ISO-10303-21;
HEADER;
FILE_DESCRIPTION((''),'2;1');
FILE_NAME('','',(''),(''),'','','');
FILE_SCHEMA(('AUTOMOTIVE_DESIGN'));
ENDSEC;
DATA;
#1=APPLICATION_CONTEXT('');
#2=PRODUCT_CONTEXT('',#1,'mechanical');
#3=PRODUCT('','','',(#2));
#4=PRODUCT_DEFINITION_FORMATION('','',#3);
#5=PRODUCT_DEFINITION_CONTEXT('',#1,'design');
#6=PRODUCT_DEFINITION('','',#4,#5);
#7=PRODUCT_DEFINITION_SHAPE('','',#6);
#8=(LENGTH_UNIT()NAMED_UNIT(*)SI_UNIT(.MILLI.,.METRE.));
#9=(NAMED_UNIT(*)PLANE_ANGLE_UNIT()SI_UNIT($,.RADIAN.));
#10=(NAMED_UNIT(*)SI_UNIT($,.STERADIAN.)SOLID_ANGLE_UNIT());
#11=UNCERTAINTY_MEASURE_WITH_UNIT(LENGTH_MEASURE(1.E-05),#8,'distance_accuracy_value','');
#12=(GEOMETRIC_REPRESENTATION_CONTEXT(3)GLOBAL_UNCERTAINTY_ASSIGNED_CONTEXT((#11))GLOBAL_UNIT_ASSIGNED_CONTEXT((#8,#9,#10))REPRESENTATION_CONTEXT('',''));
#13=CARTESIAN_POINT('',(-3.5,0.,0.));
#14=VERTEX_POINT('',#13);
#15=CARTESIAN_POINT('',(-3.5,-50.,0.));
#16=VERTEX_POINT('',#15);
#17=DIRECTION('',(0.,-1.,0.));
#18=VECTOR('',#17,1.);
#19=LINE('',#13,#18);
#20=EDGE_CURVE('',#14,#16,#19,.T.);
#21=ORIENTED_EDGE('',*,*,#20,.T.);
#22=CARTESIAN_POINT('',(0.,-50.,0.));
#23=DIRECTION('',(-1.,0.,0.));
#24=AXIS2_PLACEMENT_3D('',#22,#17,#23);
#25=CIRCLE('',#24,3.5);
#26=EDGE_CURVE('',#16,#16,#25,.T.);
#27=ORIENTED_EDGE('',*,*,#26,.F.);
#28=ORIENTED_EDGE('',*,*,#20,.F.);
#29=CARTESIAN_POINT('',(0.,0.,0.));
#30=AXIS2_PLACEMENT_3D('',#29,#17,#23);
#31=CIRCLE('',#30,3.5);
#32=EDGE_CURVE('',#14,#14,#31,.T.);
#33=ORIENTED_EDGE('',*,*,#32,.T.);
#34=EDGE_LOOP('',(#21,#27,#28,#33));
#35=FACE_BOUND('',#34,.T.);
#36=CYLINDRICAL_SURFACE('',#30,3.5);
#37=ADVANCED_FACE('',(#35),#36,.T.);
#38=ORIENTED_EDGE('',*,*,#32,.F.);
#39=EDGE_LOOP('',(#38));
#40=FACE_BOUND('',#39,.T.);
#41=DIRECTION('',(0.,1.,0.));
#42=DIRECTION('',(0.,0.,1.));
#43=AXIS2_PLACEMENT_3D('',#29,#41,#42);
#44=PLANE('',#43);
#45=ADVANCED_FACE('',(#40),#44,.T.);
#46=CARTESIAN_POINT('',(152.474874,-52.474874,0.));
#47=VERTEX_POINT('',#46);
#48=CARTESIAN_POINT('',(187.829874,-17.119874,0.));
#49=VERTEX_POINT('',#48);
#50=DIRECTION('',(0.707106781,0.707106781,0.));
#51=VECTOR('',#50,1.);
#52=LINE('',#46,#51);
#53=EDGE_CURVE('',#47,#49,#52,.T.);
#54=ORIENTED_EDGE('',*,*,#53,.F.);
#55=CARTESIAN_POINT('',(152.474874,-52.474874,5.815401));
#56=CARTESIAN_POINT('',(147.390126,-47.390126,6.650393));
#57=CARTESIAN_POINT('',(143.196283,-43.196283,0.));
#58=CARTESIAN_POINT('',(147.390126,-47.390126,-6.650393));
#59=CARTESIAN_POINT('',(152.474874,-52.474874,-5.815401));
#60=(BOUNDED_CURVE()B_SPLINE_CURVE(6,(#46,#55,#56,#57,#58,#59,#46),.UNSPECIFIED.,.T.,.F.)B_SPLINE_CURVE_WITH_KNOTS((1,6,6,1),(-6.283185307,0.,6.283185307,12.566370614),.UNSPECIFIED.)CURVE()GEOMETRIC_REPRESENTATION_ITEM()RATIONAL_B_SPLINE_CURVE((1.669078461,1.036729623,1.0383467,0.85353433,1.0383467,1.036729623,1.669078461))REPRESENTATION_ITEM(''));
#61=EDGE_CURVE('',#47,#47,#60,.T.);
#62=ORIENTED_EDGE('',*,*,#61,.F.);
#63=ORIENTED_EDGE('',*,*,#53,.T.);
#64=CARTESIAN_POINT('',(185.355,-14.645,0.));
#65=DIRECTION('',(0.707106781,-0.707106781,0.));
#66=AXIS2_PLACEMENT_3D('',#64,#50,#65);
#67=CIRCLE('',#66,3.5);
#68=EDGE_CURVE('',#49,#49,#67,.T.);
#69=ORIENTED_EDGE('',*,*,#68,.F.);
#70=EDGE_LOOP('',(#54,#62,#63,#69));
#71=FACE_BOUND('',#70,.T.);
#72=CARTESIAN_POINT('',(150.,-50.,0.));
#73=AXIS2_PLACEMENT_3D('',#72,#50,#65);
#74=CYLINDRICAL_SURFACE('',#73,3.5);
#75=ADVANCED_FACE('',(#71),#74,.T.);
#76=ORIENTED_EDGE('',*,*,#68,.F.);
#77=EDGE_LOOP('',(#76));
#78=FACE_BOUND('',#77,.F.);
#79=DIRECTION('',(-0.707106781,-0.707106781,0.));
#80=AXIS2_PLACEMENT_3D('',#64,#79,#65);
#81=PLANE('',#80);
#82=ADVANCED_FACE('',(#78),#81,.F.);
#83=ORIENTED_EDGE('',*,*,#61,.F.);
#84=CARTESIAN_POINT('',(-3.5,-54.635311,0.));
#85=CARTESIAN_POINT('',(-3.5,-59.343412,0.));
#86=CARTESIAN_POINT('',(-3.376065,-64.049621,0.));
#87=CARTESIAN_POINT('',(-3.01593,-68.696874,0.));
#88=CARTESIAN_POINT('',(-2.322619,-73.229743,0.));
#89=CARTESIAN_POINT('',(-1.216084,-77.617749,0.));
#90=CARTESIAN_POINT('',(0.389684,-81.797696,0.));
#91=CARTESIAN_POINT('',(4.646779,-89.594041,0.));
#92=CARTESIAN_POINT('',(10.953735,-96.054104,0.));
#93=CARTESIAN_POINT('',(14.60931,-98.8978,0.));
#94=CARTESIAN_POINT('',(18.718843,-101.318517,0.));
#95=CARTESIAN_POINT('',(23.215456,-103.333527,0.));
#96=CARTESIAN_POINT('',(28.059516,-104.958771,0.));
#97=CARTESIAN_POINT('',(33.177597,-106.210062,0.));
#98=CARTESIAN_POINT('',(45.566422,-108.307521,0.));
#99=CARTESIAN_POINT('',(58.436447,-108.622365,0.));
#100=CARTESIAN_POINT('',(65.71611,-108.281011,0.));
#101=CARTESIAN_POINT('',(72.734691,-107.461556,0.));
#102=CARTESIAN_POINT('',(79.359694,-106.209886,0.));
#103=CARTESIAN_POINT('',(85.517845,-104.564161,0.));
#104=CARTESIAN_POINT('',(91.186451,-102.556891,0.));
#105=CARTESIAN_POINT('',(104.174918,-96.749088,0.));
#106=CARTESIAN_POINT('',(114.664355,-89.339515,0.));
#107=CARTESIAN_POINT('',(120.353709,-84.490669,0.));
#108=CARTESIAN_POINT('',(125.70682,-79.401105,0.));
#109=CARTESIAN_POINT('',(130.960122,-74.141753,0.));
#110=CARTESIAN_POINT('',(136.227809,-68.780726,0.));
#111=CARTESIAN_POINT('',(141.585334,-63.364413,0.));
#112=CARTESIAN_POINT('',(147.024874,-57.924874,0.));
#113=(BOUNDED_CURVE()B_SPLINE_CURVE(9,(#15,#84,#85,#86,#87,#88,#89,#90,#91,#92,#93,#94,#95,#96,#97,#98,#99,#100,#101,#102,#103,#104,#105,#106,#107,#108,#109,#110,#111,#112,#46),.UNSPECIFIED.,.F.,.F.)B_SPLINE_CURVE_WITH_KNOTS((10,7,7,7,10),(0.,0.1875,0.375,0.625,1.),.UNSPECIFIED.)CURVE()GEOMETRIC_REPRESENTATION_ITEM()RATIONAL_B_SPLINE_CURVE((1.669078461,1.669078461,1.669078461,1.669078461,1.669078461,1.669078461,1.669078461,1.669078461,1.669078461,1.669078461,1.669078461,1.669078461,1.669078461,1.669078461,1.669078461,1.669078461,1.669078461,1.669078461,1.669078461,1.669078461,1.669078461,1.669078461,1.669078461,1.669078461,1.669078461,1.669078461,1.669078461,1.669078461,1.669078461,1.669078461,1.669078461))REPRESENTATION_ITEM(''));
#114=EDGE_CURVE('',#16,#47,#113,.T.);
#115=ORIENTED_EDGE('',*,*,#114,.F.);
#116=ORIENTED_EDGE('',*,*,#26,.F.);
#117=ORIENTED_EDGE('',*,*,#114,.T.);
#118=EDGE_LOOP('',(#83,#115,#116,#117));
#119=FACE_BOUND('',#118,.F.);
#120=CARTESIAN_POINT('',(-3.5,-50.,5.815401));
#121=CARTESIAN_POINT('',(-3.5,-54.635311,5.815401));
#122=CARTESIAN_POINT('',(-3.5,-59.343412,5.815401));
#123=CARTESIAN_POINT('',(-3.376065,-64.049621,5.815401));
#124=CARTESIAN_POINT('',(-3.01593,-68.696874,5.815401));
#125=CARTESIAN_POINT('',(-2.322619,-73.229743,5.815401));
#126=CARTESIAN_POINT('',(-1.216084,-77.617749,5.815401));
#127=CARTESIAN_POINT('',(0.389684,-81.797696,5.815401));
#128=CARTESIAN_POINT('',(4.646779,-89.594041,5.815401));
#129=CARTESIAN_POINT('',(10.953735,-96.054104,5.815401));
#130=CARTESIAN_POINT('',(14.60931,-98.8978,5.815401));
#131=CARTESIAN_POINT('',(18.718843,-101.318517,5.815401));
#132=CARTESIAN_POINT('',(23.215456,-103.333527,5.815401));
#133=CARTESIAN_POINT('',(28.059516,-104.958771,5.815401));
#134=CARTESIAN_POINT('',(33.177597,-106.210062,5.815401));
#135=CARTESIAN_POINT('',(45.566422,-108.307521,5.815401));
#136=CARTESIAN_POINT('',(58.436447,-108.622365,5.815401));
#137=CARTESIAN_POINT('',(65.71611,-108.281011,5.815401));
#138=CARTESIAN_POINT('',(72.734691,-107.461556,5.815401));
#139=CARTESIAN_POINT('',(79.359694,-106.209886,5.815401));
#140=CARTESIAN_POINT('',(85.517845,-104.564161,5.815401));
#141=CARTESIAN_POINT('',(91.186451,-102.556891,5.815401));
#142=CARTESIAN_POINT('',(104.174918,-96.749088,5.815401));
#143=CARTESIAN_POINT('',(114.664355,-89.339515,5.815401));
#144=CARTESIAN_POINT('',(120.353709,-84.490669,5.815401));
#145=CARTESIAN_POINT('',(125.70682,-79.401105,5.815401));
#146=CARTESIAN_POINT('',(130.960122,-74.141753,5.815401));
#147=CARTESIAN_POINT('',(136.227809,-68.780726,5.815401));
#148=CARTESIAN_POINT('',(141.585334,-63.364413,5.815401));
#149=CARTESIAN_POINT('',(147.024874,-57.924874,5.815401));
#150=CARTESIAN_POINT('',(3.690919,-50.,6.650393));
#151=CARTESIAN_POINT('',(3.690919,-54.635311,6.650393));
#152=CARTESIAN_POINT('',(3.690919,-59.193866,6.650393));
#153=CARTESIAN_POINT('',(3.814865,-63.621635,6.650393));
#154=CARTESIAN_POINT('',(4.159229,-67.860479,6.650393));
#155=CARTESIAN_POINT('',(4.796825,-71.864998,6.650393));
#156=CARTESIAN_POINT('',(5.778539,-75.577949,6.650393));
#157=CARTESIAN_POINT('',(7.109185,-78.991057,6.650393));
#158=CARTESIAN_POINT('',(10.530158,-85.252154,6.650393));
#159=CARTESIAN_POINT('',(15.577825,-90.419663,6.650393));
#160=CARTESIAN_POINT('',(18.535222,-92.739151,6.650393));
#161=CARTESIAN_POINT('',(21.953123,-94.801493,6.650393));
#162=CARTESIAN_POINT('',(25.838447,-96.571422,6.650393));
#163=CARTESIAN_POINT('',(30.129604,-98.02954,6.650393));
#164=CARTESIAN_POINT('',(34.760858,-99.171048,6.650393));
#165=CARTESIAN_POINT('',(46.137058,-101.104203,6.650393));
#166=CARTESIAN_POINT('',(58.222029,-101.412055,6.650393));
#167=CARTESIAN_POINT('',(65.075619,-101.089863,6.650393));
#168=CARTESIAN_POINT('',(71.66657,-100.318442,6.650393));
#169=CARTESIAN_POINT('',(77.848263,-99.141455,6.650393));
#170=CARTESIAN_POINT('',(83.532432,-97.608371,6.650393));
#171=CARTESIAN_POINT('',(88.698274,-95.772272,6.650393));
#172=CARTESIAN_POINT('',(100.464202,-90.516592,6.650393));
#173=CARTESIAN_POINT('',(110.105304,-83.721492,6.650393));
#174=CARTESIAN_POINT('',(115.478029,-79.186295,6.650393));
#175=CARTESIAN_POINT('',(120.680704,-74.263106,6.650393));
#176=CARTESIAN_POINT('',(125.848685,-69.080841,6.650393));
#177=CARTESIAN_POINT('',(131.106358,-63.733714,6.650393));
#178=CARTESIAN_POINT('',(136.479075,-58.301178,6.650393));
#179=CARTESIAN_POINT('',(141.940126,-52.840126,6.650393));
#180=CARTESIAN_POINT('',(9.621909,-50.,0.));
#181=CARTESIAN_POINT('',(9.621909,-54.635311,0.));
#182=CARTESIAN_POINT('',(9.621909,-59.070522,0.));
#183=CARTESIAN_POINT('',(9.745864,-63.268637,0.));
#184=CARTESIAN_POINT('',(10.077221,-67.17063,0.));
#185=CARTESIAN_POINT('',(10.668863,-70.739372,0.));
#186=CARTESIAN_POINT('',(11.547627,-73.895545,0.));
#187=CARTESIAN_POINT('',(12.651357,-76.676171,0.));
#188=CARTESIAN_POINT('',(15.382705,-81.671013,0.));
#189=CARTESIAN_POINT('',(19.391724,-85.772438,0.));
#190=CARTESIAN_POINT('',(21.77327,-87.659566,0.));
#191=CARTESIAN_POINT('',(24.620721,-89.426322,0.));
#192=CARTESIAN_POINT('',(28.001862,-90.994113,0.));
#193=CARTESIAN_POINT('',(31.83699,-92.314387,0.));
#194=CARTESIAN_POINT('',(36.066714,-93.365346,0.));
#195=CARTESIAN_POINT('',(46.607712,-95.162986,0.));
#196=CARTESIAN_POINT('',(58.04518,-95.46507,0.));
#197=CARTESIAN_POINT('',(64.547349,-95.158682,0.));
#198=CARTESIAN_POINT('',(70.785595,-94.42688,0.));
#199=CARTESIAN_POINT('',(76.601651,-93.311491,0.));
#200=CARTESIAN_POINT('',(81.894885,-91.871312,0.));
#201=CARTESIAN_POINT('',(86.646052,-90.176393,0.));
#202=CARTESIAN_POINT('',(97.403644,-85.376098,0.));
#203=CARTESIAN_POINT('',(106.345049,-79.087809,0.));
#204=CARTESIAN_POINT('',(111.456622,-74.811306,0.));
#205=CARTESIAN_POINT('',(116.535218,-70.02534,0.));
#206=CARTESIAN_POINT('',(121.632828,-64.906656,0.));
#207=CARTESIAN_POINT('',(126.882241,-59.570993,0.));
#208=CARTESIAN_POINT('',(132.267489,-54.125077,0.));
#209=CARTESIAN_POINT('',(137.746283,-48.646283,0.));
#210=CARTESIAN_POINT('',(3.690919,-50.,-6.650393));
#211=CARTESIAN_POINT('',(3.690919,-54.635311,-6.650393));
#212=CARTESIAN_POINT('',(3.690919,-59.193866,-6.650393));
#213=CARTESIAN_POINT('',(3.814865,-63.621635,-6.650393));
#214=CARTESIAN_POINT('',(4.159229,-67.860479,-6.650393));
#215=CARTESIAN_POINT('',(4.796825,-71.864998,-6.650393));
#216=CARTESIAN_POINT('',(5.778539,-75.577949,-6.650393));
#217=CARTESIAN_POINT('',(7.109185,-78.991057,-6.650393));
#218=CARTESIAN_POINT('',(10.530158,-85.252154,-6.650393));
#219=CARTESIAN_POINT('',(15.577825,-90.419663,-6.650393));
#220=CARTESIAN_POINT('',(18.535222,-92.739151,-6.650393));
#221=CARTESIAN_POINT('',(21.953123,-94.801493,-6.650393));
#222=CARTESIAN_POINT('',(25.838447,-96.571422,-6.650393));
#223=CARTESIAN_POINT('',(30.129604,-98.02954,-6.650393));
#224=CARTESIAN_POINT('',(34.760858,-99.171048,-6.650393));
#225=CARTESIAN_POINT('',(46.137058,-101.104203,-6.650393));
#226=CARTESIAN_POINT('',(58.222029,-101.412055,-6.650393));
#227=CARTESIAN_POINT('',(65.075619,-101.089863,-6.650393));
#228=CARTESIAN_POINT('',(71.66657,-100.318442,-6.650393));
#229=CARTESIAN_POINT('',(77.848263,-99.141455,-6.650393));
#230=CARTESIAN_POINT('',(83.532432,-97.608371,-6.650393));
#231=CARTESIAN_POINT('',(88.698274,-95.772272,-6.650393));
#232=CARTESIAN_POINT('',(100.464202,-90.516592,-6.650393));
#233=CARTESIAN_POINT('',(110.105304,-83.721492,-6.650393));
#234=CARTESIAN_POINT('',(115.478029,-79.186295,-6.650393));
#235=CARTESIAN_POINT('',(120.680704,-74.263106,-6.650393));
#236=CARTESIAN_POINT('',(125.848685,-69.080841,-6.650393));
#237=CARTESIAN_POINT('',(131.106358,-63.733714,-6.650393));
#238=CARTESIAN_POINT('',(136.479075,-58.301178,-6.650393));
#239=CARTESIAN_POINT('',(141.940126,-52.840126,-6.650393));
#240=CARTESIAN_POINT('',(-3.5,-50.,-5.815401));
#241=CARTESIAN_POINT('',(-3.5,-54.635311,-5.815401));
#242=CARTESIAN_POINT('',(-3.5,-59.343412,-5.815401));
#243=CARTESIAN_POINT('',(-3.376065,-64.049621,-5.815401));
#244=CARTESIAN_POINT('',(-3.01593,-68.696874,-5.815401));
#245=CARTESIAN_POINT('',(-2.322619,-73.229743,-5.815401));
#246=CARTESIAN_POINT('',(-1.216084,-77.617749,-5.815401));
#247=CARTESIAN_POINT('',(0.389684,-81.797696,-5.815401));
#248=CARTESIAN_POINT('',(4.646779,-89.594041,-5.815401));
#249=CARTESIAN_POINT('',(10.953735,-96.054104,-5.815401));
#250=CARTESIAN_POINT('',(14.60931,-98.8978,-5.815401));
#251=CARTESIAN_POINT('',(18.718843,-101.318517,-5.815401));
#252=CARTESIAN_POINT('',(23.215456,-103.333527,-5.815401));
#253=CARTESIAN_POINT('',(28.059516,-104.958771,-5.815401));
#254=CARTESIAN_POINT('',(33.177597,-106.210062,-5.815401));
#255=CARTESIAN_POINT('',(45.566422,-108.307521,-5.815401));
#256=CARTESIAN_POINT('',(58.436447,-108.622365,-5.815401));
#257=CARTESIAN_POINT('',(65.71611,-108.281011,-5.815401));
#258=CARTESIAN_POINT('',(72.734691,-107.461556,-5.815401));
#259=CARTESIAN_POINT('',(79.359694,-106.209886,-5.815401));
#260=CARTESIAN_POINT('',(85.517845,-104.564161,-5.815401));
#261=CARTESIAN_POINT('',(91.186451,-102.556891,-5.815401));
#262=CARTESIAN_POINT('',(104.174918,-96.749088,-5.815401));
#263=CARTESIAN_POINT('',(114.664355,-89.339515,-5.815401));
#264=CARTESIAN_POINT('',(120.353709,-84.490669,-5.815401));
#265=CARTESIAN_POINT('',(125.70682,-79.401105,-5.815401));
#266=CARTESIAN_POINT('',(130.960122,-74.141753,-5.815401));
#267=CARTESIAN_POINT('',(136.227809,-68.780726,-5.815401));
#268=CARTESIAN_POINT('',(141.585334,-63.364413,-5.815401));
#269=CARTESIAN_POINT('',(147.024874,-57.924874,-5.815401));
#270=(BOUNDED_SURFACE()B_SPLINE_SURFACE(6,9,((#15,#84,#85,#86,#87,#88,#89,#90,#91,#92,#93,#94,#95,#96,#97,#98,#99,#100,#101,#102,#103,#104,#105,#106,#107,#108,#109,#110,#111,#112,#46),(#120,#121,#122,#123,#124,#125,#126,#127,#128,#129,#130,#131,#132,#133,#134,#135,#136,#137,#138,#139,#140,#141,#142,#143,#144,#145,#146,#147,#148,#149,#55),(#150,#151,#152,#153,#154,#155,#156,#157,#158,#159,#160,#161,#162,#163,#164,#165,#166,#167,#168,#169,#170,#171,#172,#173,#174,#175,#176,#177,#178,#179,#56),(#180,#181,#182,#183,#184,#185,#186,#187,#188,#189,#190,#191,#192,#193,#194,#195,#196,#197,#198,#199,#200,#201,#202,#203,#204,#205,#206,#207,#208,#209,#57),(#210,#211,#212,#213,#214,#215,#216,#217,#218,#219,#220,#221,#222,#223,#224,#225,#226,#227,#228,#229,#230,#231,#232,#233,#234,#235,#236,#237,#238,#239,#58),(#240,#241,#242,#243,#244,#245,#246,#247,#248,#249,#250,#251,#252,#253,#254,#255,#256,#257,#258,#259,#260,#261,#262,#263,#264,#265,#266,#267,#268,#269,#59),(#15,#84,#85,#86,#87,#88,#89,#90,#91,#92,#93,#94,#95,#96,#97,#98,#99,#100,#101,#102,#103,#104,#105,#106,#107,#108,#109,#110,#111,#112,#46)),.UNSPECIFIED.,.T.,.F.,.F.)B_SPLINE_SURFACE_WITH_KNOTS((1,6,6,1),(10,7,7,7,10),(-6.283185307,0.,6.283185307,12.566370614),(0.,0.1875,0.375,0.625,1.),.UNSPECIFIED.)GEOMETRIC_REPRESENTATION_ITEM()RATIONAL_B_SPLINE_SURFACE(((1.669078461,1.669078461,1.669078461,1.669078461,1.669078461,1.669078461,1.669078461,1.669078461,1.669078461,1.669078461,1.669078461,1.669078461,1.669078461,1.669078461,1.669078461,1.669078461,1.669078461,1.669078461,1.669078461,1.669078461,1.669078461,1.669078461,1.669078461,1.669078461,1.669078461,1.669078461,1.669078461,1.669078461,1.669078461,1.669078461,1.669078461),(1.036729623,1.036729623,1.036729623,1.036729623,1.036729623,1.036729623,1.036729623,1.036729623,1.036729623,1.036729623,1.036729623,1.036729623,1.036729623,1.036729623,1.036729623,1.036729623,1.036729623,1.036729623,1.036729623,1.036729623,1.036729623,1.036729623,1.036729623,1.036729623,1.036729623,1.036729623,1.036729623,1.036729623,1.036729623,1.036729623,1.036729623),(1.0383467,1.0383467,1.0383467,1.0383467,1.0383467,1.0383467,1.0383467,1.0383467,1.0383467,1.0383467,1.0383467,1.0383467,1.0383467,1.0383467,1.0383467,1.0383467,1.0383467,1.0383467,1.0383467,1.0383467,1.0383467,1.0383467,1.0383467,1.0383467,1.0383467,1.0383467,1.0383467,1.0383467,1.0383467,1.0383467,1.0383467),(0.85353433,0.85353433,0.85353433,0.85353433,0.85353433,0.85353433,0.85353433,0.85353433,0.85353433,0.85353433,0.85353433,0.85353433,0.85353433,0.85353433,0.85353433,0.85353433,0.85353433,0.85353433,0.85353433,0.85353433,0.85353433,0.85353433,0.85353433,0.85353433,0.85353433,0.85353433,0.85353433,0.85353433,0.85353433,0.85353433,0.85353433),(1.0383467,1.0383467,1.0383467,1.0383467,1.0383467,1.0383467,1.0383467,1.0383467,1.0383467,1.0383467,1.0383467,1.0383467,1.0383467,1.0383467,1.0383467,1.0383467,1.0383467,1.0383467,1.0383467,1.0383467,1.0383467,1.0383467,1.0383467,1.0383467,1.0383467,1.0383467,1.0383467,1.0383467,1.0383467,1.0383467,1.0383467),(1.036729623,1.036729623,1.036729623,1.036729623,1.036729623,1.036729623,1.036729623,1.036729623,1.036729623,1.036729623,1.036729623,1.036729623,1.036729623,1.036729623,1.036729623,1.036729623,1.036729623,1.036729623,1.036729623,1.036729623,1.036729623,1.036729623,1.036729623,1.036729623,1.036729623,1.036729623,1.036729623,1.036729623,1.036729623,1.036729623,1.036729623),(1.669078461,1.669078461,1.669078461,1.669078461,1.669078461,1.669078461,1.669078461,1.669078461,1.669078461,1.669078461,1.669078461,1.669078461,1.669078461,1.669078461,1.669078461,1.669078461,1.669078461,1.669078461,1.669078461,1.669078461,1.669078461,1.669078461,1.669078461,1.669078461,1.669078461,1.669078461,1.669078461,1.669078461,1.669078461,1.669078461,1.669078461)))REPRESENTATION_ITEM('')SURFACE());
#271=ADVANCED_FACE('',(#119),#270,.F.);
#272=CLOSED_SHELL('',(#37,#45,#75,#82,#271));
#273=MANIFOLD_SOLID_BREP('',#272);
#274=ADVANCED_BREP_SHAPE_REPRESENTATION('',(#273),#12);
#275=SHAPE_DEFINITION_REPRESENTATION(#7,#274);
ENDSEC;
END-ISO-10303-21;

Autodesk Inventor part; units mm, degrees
ref_plane "YZ Plane" through (0, 0, 0) normal (1, 0, 0) x (0, 1, 0)
ref_plane "XZ Plane" through (0, 0, 0) normal (0, 1, 0) x (-1, 0, 0)
ref_plane "XY Plane" through (0, 0, 0) normal (0, 0, 1) x (1, 0, 0)
sketch "Skizze1" plane through (0, 0, 0) normal (0, 0, 1) x (1, 0, 0)
  line L0 (0, 0) -> (0, -50)
  line L1 (150, -50) -> (185.355, -14.645)
  spline S0 degree 4 poles (0, -50) (0, -70.8589) (0, -105.6238) (92.5422, -112.9915) (117.2999, -82.7001) (137.7375, -62.2625) (150, -50) knots 0 0 0 0 0 0.375 0.625 1 1 1 1 1
  point P0 (75, -102.9793)
  dimension "d0" = 50
  dimension "d1" = 45
  dimension "d2" = 150
  dimension "d3" = 35.355
  dimension "d4" = 75
sketch "Skizze2" plane through (0, 0, 0) normal (0, 1, 0) x (-1, 0, 0)
  circle A0 centre (0, 0) radius 3.5
  dimension "d5" = 7
sweep "Sweeping1" add profiles "Skizze2" path "Skizze1"
properties part number "Kabel3"
